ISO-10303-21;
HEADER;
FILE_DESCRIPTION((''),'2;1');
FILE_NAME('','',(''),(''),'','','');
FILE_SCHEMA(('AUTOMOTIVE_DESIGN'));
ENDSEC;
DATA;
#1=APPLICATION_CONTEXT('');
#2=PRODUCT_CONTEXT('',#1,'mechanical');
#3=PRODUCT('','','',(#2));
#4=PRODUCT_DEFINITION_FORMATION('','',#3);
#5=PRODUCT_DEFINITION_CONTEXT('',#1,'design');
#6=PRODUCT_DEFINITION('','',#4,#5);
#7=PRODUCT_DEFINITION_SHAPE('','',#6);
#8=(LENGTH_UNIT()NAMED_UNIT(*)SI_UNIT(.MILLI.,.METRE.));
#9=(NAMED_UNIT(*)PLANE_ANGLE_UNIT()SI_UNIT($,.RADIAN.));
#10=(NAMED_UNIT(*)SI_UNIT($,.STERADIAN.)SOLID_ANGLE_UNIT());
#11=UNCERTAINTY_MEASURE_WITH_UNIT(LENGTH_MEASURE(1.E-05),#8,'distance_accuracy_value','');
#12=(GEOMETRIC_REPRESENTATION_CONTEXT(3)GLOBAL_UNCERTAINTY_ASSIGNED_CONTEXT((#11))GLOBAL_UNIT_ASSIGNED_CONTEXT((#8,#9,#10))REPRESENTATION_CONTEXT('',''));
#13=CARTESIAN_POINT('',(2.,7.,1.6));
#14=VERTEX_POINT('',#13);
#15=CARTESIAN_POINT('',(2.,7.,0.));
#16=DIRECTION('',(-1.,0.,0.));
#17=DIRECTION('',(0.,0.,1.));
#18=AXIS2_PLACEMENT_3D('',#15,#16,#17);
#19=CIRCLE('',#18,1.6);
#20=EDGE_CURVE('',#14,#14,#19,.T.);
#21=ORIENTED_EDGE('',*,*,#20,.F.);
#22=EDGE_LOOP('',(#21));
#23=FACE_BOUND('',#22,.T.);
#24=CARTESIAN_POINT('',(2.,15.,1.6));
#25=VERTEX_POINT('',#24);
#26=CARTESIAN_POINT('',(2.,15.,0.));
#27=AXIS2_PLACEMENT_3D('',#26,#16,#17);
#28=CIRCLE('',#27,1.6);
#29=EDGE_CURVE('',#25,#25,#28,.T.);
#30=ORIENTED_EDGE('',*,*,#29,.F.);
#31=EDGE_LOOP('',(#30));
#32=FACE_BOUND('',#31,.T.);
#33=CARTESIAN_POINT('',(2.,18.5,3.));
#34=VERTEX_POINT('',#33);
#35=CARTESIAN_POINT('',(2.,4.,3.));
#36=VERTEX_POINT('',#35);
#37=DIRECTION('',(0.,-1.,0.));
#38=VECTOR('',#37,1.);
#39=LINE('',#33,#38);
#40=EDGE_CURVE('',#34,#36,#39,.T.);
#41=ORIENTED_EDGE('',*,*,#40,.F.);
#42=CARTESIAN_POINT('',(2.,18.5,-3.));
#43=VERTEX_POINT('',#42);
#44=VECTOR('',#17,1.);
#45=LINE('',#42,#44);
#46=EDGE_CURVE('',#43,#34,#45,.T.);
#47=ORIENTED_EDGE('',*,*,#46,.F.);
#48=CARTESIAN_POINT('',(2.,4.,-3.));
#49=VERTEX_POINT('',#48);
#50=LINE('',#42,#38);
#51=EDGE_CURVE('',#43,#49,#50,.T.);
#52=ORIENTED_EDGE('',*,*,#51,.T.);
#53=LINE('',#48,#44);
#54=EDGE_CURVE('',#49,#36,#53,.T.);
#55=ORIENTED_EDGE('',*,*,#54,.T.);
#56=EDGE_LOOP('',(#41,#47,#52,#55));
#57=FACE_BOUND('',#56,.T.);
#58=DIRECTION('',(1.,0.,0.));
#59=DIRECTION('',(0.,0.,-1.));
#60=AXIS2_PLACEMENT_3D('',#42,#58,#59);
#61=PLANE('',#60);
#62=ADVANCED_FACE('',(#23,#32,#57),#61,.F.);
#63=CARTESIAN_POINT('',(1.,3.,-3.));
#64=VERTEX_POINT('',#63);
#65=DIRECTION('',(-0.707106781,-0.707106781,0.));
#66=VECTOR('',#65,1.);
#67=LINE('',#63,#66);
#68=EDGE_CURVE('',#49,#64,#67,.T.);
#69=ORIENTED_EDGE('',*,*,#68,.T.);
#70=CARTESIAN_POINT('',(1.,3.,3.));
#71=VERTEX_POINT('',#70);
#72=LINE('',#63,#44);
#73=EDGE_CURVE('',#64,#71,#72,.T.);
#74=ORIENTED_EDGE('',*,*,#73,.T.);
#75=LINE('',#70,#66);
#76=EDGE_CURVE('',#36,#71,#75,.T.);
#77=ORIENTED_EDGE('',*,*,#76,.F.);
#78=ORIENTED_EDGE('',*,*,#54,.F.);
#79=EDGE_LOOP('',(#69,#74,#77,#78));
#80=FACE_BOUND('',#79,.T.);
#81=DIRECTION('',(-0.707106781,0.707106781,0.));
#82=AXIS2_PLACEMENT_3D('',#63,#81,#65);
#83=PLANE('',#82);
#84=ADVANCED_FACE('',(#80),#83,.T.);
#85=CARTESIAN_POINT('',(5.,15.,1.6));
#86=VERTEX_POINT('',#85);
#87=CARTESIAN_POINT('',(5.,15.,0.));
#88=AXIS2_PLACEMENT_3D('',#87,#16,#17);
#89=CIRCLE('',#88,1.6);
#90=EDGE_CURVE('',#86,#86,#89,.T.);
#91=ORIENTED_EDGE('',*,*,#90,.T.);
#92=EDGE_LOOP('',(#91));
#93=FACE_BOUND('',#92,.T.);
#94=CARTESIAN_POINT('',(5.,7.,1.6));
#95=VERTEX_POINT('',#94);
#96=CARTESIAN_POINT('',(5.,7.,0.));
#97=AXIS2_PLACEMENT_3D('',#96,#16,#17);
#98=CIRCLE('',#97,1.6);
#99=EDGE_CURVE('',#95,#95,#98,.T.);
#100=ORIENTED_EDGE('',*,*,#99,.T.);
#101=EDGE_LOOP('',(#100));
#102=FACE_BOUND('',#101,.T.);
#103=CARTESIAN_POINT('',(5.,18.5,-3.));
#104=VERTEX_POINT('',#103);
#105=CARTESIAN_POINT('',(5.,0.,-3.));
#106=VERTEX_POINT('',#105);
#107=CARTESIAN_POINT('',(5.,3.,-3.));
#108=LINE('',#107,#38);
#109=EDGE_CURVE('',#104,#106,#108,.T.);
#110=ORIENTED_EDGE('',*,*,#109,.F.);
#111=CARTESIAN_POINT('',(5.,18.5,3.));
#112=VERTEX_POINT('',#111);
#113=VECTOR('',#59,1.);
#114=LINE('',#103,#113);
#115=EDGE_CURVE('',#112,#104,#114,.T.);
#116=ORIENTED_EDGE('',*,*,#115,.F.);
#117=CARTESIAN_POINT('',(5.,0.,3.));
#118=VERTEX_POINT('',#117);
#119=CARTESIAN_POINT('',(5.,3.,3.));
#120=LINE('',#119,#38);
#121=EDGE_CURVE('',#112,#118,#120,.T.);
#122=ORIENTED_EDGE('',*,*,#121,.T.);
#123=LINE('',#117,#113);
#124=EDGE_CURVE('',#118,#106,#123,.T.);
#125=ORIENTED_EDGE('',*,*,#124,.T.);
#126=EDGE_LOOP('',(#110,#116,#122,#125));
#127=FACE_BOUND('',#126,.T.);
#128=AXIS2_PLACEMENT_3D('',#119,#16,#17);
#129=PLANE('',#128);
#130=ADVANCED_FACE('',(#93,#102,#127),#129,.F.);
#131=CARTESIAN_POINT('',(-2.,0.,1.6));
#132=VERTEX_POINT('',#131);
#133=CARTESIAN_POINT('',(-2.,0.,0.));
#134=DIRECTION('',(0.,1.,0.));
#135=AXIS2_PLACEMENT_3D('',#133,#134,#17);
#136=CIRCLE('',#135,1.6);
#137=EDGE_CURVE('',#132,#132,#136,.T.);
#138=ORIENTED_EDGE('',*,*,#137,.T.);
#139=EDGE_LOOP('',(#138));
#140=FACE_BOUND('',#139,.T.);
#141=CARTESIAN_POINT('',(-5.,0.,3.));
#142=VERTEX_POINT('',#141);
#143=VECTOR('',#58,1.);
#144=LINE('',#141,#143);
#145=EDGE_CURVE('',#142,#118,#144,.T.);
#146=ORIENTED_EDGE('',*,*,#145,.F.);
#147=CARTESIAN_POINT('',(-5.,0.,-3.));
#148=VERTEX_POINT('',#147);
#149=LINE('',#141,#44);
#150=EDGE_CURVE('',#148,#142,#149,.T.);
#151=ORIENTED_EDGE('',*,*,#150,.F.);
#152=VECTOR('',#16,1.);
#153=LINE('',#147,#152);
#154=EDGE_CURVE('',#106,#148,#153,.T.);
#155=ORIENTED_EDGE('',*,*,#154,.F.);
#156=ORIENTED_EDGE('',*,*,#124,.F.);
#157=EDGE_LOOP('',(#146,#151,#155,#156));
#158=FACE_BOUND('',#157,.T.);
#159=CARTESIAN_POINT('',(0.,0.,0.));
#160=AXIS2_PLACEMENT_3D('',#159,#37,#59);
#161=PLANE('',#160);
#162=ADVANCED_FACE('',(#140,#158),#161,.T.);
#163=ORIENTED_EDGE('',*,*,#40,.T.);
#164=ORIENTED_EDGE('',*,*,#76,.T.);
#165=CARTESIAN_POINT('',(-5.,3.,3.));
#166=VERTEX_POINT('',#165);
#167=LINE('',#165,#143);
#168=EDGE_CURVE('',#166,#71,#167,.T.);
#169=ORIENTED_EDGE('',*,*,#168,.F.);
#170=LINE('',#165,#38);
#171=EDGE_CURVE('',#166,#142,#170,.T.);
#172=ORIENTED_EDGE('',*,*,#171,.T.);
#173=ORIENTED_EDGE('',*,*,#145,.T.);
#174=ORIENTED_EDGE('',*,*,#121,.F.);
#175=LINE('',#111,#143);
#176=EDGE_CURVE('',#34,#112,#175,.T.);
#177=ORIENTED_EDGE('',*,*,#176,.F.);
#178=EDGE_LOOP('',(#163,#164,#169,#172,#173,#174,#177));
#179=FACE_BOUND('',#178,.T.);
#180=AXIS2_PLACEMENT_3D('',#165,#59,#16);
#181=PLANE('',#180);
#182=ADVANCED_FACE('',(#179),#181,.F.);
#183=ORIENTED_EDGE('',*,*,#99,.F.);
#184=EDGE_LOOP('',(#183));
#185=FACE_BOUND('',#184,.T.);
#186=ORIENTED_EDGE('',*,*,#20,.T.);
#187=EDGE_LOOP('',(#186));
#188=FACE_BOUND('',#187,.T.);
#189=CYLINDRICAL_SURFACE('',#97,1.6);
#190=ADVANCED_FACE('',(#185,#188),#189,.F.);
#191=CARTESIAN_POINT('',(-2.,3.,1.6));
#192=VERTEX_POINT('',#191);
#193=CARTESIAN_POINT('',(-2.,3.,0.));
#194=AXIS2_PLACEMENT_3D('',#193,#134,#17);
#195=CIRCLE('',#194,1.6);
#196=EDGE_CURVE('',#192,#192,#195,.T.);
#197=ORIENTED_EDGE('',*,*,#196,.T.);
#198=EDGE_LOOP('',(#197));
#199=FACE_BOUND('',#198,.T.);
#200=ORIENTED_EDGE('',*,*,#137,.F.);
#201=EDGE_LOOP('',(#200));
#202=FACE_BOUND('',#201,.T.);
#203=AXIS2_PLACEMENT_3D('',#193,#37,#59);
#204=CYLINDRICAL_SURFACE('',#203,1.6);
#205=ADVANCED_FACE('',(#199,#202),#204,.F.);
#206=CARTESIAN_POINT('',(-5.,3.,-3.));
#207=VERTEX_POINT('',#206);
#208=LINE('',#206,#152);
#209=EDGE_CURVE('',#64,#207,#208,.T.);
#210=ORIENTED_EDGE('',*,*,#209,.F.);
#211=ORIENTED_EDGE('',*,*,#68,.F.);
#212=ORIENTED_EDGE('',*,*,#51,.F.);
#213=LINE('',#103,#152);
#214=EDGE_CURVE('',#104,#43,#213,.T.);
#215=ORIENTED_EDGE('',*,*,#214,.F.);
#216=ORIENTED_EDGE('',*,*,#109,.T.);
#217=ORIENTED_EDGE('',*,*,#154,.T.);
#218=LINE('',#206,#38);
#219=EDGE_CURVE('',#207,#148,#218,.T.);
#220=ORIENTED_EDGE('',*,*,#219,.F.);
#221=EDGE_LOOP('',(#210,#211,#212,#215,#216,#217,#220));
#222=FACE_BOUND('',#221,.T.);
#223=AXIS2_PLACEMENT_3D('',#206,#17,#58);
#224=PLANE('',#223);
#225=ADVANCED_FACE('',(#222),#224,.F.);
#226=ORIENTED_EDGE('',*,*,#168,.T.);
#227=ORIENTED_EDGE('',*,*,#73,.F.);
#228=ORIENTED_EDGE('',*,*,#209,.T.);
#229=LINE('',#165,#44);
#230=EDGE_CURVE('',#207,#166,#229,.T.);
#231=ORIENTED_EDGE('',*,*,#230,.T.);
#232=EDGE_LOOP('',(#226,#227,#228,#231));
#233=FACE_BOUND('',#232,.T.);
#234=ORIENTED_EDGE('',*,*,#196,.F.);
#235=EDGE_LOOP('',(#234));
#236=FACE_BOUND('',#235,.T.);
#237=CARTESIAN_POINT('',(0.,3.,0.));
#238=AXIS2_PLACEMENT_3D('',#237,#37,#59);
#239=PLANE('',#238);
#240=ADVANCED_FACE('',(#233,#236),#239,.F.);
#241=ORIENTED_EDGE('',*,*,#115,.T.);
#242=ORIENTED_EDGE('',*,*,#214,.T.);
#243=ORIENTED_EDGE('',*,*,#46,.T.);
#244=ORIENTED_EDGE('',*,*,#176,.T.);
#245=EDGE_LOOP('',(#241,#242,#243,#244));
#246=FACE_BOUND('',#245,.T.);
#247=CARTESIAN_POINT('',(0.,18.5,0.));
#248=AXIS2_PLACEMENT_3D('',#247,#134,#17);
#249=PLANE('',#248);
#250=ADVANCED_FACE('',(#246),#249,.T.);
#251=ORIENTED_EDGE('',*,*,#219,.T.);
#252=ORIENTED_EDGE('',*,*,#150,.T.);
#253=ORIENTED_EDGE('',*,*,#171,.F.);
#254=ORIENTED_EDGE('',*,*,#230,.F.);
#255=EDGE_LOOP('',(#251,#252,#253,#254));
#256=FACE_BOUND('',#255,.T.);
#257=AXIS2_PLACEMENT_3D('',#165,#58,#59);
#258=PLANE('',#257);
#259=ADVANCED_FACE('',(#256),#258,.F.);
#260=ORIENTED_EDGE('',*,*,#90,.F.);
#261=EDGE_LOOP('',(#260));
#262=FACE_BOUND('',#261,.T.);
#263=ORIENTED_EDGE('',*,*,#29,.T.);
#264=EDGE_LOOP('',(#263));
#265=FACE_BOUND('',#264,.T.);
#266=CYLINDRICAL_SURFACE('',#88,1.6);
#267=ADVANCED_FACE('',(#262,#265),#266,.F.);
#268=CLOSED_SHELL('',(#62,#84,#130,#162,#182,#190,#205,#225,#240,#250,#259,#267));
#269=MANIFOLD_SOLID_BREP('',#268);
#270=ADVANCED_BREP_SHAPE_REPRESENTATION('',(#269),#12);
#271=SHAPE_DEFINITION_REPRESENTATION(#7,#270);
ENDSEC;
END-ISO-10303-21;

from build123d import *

# Parameters (mm, degrees)
SKETCH1_W           = 10
SKETCH1_H           = 6
SKETCH1_R           = 1.6
BOSS_EXTRUDE1_DEPTH = 3
SKETCH2_W           = 3
SKETCH2_H           = 6
BOSS_EXTRUDE2_DEPTH = 15.5
SKETCH3_R           = 1.6
CUT_EXTRUDE1_DEPTH  = 21.006249024
BOSS_EXTRUDE3_DEPTH = 6


with BuildPart() as part:
    # Sketch1 → Boss-Extrude1 (new body)
    with BuildSketch(Plane(origin=(0, 0, 0), x_dir=(1, 0, 0), z_dir=(0, 1, 0))):
        Rectangle(SKETCH1_W, SKETCH1_H)
        with Locations(Location((-2, 0, 0), (0, 0, 270))):
            Circle(SKETCH1_R, mode=Mode.SUBTRACT)
    extrude(amount=BOSS_EXTRUDE1_DEPTH)

    # Sketch2 → Boss-Extrude2 (add)
    with BuildSketch(Plane(origin=(0, 3, 0), x_dir=(1, 0, 0), z_dir=(0, 1, 0))):
        with Locations((3.5, 0)):
            Rectangle(SKETCH2_W, SKETCH2_H)
    extrude(amount=BOSS_EXTRUDE2_DEPTH)

    # Sketch3 → Cut-Extrude1 (cut, through all)
    with BuildSketch(Plane.ZY.offset(-2)):
        with Locations((0, 7)):
            Circle(SKETCH3_R)
        with Locations((0, 15)):
            Circle(SKETCH3_R)
    extrude(amount=-CUT_EXTRUDE1_DEPTH, mode=Mode.SUBTRACT)

    # Sketch5 → Boss-Extrude3 (add)
    with BuildSketch(Plane(origin=(2, 3, 3), x_dir=(1, 0, 0), z_dir=(0, 0, 1))):
        Polygon((-1, 0), (0, 1), (0, 0), align=None)
    extrude(amount=-BOSS_EXTRUDE3_DEPTH)


solid = part.part
